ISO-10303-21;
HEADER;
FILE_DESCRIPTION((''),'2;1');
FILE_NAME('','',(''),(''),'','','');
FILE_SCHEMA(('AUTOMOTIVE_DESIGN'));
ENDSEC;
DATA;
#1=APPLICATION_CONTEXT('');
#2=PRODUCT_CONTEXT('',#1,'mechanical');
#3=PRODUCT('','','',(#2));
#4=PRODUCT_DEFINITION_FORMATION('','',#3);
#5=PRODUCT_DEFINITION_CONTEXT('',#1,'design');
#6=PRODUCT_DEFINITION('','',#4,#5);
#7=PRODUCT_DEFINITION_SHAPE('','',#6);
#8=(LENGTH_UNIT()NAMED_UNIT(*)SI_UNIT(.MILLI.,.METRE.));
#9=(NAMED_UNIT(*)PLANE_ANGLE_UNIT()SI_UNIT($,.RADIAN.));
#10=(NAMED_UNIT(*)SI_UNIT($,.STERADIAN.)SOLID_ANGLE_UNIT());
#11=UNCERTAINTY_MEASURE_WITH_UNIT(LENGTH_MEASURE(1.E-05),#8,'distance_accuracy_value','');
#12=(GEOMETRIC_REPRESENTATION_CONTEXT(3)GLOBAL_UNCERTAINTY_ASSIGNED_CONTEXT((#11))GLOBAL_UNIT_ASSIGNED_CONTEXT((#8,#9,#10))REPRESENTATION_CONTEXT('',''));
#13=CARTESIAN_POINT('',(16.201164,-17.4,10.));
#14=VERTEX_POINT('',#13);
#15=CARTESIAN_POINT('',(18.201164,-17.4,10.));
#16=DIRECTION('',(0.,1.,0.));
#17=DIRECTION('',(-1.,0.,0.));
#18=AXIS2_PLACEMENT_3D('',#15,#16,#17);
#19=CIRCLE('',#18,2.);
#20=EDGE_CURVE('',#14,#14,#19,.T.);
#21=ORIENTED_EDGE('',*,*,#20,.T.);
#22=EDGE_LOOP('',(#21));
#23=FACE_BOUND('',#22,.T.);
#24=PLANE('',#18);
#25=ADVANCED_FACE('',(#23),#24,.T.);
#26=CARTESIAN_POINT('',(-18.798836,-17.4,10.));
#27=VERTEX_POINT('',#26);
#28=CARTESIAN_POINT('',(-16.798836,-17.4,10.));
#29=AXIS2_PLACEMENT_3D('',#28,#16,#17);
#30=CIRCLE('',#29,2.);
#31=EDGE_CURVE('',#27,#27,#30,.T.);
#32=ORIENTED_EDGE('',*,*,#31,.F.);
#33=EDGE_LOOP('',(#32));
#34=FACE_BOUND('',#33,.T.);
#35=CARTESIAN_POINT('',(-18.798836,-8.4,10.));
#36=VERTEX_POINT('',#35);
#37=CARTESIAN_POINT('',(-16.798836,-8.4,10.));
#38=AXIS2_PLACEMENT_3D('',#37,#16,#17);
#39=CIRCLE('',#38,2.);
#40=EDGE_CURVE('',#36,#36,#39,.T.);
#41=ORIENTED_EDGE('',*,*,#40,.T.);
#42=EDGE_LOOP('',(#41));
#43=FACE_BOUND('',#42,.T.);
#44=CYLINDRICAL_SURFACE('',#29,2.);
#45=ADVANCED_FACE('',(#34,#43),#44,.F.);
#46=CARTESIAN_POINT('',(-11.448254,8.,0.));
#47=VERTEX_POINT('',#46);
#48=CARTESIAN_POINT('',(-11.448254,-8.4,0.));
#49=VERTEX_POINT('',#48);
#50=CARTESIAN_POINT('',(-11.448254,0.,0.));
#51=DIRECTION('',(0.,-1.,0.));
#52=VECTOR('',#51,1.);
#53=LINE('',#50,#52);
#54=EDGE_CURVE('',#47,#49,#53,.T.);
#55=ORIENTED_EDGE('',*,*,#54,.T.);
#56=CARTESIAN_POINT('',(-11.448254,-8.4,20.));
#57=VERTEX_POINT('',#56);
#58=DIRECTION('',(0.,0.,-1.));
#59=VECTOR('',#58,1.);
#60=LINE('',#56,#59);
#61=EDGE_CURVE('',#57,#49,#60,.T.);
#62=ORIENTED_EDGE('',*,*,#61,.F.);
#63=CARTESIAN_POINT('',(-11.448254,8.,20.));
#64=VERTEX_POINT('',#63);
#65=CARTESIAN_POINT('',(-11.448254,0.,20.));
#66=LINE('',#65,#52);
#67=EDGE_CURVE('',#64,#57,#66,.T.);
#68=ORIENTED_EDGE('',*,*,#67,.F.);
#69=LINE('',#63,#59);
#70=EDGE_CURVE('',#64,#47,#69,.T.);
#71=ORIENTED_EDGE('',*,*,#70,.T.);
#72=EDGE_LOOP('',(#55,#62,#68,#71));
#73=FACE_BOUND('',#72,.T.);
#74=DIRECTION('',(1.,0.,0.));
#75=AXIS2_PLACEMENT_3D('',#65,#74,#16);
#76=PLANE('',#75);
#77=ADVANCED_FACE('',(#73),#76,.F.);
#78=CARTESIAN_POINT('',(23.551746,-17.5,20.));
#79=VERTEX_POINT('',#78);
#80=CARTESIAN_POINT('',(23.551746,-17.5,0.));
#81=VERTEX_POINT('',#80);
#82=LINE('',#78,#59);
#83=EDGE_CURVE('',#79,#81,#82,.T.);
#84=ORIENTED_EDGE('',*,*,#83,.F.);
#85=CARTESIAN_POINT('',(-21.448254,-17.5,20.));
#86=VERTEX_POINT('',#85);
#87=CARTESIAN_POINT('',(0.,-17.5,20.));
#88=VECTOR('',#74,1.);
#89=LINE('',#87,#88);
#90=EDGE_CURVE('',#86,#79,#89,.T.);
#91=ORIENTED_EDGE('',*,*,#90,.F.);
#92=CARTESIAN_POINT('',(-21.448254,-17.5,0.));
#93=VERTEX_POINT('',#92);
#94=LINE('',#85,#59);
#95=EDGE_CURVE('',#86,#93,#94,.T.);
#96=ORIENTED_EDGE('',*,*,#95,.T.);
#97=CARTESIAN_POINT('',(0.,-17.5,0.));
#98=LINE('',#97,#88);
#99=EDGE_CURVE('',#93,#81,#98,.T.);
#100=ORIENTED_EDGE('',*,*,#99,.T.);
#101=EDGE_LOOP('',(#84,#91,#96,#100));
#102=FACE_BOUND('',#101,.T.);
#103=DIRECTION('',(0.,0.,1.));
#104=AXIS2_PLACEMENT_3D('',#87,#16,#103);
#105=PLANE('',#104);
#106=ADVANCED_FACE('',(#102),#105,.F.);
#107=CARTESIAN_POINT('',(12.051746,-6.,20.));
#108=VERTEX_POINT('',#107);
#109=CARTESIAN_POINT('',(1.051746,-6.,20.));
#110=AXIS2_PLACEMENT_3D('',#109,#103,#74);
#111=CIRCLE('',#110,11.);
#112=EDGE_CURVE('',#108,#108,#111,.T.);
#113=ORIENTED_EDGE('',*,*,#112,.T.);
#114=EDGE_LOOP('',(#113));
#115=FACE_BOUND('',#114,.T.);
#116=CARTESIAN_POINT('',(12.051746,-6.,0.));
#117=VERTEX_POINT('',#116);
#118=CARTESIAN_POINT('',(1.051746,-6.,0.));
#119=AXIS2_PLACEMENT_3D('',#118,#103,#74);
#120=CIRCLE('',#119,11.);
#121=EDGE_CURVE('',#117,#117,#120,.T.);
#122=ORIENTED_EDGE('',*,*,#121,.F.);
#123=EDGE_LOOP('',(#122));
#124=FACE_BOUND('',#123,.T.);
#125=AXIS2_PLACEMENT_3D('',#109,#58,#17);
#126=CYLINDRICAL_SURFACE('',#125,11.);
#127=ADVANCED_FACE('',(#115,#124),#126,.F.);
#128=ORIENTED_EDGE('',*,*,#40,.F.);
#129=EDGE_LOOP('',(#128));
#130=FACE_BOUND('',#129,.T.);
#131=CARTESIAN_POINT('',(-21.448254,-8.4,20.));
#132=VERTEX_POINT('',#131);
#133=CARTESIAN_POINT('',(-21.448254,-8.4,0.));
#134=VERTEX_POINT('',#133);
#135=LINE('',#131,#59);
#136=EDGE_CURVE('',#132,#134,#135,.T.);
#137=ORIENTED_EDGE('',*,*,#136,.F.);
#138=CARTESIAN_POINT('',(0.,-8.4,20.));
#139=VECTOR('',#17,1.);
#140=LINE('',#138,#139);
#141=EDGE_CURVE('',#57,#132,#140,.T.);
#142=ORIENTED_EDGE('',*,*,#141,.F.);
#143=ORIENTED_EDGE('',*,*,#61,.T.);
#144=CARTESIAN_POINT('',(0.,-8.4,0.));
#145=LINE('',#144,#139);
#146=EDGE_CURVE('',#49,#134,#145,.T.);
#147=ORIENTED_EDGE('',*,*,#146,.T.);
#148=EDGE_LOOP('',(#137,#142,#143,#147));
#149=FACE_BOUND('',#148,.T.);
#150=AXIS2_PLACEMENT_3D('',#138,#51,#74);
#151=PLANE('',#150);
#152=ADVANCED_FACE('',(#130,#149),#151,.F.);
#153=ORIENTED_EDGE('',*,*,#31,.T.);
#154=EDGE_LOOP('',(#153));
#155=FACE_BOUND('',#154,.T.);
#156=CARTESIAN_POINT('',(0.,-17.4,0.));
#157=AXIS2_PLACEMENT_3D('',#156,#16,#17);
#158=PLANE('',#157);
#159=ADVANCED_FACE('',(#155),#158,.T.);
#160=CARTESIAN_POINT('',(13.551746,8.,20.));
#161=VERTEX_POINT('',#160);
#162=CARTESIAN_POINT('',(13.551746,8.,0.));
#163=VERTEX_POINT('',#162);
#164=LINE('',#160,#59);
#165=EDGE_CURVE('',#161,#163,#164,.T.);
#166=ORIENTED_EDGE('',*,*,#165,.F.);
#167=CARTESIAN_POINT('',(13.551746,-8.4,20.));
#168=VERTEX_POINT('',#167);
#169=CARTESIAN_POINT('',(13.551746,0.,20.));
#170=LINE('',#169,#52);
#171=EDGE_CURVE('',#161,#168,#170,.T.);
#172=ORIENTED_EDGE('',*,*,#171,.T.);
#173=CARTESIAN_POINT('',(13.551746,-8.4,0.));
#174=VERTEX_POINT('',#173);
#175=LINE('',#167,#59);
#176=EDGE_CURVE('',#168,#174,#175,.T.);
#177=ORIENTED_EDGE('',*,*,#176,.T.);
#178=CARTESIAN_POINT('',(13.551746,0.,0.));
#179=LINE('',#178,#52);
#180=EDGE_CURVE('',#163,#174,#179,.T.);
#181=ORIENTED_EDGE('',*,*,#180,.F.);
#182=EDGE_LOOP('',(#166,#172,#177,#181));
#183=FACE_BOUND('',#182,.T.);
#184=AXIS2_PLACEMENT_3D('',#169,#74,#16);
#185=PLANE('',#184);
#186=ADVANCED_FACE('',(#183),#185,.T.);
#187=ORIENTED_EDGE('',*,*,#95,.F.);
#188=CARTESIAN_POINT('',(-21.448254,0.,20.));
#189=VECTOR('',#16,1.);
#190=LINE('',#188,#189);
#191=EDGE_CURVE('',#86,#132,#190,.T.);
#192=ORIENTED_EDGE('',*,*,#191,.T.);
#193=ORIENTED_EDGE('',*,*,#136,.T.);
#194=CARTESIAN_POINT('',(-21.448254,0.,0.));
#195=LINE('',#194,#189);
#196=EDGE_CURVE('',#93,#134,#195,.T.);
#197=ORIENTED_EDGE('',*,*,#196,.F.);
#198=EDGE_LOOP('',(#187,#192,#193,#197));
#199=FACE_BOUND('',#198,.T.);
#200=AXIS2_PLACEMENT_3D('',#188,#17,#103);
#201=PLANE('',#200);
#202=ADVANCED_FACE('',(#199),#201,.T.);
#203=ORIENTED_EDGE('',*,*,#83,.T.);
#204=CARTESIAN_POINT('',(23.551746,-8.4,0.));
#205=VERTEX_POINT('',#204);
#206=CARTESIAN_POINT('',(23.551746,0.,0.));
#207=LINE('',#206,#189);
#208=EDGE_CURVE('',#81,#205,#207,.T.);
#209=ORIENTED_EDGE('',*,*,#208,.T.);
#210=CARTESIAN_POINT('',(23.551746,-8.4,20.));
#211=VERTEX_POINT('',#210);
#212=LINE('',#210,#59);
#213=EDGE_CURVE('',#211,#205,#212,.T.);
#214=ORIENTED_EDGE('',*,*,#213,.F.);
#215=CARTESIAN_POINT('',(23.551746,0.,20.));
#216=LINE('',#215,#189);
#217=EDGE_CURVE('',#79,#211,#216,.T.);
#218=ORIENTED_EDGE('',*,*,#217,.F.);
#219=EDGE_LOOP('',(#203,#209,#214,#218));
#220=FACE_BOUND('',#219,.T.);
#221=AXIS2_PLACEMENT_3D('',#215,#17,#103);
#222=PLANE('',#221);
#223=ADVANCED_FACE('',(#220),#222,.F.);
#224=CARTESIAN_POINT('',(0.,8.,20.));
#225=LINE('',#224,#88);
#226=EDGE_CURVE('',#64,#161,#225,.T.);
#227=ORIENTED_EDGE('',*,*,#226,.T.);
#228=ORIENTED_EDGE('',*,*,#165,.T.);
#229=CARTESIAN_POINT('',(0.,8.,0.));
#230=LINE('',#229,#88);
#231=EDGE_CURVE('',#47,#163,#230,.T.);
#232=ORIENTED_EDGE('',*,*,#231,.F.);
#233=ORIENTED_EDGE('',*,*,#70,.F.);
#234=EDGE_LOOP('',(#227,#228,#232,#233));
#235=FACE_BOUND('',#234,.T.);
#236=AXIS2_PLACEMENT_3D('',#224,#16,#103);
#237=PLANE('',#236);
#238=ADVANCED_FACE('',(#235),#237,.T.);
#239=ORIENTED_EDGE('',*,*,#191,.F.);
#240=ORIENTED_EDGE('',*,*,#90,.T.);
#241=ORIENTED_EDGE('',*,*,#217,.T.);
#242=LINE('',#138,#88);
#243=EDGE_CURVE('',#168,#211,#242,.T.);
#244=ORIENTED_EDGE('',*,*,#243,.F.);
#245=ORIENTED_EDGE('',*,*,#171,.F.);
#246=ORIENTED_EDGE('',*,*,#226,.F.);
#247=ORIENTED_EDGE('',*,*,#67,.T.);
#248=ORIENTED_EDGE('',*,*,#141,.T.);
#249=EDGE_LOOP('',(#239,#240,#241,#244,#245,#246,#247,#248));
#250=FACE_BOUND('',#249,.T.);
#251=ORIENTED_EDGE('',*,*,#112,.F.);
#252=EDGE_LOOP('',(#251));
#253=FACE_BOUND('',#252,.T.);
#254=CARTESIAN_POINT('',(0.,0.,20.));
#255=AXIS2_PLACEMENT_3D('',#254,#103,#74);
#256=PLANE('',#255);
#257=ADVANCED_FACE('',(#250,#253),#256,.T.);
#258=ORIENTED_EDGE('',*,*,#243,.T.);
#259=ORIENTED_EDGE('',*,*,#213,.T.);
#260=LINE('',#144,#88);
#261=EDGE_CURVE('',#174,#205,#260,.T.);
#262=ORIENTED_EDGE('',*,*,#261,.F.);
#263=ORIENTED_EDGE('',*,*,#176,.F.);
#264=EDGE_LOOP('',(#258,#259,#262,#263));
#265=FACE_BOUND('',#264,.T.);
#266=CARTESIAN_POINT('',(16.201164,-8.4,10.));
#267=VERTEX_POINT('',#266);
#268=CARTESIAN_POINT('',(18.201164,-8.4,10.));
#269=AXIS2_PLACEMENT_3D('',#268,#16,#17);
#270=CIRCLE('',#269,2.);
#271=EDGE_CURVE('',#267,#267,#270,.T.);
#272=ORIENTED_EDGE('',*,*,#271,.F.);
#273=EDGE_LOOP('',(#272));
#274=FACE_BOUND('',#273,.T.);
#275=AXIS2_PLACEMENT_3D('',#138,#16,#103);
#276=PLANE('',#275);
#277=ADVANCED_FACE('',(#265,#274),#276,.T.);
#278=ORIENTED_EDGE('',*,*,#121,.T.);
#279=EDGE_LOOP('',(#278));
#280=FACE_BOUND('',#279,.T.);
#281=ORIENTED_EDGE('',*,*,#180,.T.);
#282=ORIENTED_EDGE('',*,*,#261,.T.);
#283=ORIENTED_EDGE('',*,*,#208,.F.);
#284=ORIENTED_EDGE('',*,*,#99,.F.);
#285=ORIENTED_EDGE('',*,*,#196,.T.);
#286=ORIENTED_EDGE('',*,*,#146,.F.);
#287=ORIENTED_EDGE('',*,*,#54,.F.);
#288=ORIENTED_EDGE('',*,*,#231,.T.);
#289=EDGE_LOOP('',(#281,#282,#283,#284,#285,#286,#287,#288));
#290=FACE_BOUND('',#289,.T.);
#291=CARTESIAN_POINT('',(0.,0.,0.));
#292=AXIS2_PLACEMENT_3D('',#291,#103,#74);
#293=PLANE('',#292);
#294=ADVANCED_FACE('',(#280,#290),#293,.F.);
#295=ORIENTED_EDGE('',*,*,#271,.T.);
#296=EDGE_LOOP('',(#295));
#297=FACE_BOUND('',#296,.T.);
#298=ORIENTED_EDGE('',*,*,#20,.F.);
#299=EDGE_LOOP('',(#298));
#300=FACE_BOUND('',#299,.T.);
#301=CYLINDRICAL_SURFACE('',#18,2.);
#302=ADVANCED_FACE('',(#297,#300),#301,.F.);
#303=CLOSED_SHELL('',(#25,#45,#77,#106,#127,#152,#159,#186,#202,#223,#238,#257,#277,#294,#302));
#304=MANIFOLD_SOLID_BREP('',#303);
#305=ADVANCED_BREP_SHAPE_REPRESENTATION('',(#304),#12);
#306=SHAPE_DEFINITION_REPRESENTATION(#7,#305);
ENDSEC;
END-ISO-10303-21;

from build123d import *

# Parameters (mm, degrees)
SKETCH1_W           = 25
SKETCH1_H           = 25.5
SKETCH1_R           = 11
SKETCH1_W_2         = 10
SKETCH1_H_2         = 9.1
BOSS_EXTRUDE1_DEPTH = 20
SKETCH2_R           = 2
CUT_EXTRUDE1_DEPTH  = 9


with BuildPart() as part:
    # Sketch1 → Boss-Extrude1 (new body)
    # profile 1 of 3: a face of its own
    with BuildSketch(Plane.XY):
        with Locations((1.051746227, -4.75)):
            Rectangle(SKETCH1_W, SKETCH1_H)
        with Locations((1.051746227, -6)):
            Circle(SKETCH1_R, mode=Mode.SUBTRACT)
    # profile 2 of 3: a face of its own
    with BuildSketch(Plane.XY):
        with Locations((-16.448253773, -12.95)):
            Rectangle(SKETCH1_W_2, SKETCH1_H_2)
    # profile 3 of 3: a face of its own
    with BuildSketch(Plane.XY):
        with Locations((18.551746227, -12.95)):
            Rectangle(SKETCH1_W_2, SKETCH1_H_2)
    extrude(amount=BOSS_EXTRUDE1_DEPTH)

    # Sketch2 → Cut-Extrude1 (cut)
    with BuildSketch(Plane(origin=(0, -8.4, 0), x_dir=(1, 0, 0), z_dir=(0, 1, 0))):
        with Locations(Location((-16.798835848, -10, 0), (0, 0, 180))):
            Circle(SKETCH2_R)
        with Locations(Location((18.201164152, -10, 0), (0, 0, 180))):
            Circle(SKETCH2_R)
    extrude(amount=-CUT_EXTRUDE1_DEPTH, mode=Mode.SUBTRACT)


solid = part.part
